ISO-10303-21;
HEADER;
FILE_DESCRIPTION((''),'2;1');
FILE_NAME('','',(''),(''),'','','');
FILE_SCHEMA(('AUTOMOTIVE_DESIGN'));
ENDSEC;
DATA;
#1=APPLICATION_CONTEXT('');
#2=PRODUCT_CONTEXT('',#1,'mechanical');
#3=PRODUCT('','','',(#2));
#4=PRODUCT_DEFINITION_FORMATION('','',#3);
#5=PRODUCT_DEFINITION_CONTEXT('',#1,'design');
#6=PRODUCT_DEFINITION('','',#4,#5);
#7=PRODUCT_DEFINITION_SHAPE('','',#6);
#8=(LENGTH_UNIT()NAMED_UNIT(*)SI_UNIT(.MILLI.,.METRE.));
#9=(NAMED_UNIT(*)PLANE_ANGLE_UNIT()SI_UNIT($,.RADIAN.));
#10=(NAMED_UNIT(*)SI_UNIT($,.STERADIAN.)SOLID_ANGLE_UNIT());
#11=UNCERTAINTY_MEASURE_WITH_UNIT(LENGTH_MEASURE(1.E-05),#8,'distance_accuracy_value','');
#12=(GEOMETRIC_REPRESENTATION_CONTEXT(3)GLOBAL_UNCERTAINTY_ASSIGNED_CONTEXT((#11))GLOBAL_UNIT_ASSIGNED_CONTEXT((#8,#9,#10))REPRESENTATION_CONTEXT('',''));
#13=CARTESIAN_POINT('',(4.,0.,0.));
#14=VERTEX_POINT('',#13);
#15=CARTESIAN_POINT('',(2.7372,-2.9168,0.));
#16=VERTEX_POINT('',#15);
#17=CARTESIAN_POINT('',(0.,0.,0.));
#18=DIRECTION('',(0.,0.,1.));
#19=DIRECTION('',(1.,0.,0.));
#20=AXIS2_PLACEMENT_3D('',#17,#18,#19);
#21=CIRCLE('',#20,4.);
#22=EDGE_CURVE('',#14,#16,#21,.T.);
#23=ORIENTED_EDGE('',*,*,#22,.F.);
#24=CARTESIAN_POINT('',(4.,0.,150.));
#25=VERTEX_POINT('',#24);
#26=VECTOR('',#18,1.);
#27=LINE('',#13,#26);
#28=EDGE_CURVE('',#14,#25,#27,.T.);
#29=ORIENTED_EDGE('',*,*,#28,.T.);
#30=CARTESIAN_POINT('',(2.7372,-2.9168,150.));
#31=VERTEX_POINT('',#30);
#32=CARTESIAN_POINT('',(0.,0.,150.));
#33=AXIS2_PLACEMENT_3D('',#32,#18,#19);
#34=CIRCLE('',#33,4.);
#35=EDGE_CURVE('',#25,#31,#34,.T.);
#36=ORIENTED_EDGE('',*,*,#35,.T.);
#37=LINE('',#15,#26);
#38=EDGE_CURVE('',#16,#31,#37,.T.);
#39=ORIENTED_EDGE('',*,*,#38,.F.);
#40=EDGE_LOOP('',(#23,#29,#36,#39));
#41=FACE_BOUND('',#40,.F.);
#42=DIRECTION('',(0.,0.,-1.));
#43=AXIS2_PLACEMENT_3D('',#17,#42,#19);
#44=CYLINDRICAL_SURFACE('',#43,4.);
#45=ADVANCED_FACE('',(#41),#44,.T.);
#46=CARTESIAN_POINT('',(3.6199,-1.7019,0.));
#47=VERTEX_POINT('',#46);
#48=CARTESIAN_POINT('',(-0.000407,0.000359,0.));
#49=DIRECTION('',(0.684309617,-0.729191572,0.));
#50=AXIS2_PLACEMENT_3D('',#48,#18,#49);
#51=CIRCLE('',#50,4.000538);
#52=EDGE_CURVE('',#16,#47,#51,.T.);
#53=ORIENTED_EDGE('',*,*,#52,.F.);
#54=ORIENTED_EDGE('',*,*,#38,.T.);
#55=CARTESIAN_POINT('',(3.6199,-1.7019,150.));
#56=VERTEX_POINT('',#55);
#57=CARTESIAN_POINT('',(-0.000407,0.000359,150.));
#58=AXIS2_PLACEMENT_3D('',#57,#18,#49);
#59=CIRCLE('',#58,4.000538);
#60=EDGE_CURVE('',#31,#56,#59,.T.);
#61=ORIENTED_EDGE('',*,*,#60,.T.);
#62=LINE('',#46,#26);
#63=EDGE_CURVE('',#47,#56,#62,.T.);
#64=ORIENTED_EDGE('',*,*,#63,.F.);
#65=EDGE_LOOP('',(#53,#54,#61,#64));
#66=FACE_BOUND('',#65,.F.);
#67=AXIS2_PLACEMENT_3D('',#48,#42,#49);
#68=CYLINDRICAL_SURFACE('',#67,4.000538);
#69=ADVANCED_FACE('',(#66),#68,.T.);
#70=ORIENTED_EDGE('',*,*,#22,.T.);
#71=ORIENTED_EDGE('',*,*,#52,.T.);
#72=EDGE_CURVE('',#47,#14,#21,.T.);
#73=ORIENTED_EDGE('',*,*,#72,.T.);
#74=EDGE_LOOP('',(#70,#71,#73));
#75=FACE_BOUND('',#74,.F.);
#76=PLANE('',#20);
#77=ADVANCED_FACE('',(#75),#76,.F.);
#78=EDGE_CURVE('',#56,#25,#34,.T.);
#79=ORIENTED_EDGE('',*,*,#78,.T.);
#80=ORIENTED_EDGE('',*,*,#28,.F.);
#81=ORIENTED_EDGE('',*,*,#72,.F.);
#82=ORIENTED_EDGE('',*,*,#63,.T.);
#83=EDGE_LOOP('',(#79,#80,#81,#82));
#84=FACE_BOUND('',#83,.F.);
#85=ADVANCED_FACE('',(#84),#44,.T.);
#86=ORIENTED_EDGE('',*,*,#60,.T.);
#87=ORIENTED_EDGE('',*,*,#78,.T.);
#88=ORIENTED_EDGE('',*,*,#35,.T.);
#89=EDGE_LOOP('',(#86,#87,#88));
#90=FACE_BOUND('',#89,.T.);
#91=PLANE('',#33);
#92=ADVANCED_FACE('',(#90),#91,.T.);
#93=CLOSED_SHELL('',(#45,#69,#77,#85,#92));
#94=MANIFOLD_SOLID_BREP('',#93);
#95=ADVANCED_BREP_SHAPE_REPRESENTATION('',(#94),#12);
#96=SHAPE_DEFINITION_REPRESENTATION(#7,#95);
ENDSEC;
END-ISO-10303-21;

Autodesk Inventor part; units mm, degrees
ref_plane "YZ Plane" through (0, 0, 0) normal (1, 0, 0) x (0, 1, 0)
ref_plane "XZ Plane" through (0, 0, 0) normal (0, 1, 0) x (-1, 0, 0)
ref_plane "XY Plane" through (0, 0, 0) normal (0, 0, 1) x (1, 0, 0)
sketch "Sketch1" plane through (0, 0, 0) normal (0, 0, 1) x (1, 0, 0)
  arc A0 (2.7372, -2.9168) -> (3.6199, -1.7019) centre (0, 0) ccw projected
  circle A1 centre (0, 0) radius 4
  point P0 (3.6199, -1.7019)
extrude "Extrusion1" add sketch "Sketch1" along normal blind 150
properties part number "Shaft" material "Stainless Steel"
